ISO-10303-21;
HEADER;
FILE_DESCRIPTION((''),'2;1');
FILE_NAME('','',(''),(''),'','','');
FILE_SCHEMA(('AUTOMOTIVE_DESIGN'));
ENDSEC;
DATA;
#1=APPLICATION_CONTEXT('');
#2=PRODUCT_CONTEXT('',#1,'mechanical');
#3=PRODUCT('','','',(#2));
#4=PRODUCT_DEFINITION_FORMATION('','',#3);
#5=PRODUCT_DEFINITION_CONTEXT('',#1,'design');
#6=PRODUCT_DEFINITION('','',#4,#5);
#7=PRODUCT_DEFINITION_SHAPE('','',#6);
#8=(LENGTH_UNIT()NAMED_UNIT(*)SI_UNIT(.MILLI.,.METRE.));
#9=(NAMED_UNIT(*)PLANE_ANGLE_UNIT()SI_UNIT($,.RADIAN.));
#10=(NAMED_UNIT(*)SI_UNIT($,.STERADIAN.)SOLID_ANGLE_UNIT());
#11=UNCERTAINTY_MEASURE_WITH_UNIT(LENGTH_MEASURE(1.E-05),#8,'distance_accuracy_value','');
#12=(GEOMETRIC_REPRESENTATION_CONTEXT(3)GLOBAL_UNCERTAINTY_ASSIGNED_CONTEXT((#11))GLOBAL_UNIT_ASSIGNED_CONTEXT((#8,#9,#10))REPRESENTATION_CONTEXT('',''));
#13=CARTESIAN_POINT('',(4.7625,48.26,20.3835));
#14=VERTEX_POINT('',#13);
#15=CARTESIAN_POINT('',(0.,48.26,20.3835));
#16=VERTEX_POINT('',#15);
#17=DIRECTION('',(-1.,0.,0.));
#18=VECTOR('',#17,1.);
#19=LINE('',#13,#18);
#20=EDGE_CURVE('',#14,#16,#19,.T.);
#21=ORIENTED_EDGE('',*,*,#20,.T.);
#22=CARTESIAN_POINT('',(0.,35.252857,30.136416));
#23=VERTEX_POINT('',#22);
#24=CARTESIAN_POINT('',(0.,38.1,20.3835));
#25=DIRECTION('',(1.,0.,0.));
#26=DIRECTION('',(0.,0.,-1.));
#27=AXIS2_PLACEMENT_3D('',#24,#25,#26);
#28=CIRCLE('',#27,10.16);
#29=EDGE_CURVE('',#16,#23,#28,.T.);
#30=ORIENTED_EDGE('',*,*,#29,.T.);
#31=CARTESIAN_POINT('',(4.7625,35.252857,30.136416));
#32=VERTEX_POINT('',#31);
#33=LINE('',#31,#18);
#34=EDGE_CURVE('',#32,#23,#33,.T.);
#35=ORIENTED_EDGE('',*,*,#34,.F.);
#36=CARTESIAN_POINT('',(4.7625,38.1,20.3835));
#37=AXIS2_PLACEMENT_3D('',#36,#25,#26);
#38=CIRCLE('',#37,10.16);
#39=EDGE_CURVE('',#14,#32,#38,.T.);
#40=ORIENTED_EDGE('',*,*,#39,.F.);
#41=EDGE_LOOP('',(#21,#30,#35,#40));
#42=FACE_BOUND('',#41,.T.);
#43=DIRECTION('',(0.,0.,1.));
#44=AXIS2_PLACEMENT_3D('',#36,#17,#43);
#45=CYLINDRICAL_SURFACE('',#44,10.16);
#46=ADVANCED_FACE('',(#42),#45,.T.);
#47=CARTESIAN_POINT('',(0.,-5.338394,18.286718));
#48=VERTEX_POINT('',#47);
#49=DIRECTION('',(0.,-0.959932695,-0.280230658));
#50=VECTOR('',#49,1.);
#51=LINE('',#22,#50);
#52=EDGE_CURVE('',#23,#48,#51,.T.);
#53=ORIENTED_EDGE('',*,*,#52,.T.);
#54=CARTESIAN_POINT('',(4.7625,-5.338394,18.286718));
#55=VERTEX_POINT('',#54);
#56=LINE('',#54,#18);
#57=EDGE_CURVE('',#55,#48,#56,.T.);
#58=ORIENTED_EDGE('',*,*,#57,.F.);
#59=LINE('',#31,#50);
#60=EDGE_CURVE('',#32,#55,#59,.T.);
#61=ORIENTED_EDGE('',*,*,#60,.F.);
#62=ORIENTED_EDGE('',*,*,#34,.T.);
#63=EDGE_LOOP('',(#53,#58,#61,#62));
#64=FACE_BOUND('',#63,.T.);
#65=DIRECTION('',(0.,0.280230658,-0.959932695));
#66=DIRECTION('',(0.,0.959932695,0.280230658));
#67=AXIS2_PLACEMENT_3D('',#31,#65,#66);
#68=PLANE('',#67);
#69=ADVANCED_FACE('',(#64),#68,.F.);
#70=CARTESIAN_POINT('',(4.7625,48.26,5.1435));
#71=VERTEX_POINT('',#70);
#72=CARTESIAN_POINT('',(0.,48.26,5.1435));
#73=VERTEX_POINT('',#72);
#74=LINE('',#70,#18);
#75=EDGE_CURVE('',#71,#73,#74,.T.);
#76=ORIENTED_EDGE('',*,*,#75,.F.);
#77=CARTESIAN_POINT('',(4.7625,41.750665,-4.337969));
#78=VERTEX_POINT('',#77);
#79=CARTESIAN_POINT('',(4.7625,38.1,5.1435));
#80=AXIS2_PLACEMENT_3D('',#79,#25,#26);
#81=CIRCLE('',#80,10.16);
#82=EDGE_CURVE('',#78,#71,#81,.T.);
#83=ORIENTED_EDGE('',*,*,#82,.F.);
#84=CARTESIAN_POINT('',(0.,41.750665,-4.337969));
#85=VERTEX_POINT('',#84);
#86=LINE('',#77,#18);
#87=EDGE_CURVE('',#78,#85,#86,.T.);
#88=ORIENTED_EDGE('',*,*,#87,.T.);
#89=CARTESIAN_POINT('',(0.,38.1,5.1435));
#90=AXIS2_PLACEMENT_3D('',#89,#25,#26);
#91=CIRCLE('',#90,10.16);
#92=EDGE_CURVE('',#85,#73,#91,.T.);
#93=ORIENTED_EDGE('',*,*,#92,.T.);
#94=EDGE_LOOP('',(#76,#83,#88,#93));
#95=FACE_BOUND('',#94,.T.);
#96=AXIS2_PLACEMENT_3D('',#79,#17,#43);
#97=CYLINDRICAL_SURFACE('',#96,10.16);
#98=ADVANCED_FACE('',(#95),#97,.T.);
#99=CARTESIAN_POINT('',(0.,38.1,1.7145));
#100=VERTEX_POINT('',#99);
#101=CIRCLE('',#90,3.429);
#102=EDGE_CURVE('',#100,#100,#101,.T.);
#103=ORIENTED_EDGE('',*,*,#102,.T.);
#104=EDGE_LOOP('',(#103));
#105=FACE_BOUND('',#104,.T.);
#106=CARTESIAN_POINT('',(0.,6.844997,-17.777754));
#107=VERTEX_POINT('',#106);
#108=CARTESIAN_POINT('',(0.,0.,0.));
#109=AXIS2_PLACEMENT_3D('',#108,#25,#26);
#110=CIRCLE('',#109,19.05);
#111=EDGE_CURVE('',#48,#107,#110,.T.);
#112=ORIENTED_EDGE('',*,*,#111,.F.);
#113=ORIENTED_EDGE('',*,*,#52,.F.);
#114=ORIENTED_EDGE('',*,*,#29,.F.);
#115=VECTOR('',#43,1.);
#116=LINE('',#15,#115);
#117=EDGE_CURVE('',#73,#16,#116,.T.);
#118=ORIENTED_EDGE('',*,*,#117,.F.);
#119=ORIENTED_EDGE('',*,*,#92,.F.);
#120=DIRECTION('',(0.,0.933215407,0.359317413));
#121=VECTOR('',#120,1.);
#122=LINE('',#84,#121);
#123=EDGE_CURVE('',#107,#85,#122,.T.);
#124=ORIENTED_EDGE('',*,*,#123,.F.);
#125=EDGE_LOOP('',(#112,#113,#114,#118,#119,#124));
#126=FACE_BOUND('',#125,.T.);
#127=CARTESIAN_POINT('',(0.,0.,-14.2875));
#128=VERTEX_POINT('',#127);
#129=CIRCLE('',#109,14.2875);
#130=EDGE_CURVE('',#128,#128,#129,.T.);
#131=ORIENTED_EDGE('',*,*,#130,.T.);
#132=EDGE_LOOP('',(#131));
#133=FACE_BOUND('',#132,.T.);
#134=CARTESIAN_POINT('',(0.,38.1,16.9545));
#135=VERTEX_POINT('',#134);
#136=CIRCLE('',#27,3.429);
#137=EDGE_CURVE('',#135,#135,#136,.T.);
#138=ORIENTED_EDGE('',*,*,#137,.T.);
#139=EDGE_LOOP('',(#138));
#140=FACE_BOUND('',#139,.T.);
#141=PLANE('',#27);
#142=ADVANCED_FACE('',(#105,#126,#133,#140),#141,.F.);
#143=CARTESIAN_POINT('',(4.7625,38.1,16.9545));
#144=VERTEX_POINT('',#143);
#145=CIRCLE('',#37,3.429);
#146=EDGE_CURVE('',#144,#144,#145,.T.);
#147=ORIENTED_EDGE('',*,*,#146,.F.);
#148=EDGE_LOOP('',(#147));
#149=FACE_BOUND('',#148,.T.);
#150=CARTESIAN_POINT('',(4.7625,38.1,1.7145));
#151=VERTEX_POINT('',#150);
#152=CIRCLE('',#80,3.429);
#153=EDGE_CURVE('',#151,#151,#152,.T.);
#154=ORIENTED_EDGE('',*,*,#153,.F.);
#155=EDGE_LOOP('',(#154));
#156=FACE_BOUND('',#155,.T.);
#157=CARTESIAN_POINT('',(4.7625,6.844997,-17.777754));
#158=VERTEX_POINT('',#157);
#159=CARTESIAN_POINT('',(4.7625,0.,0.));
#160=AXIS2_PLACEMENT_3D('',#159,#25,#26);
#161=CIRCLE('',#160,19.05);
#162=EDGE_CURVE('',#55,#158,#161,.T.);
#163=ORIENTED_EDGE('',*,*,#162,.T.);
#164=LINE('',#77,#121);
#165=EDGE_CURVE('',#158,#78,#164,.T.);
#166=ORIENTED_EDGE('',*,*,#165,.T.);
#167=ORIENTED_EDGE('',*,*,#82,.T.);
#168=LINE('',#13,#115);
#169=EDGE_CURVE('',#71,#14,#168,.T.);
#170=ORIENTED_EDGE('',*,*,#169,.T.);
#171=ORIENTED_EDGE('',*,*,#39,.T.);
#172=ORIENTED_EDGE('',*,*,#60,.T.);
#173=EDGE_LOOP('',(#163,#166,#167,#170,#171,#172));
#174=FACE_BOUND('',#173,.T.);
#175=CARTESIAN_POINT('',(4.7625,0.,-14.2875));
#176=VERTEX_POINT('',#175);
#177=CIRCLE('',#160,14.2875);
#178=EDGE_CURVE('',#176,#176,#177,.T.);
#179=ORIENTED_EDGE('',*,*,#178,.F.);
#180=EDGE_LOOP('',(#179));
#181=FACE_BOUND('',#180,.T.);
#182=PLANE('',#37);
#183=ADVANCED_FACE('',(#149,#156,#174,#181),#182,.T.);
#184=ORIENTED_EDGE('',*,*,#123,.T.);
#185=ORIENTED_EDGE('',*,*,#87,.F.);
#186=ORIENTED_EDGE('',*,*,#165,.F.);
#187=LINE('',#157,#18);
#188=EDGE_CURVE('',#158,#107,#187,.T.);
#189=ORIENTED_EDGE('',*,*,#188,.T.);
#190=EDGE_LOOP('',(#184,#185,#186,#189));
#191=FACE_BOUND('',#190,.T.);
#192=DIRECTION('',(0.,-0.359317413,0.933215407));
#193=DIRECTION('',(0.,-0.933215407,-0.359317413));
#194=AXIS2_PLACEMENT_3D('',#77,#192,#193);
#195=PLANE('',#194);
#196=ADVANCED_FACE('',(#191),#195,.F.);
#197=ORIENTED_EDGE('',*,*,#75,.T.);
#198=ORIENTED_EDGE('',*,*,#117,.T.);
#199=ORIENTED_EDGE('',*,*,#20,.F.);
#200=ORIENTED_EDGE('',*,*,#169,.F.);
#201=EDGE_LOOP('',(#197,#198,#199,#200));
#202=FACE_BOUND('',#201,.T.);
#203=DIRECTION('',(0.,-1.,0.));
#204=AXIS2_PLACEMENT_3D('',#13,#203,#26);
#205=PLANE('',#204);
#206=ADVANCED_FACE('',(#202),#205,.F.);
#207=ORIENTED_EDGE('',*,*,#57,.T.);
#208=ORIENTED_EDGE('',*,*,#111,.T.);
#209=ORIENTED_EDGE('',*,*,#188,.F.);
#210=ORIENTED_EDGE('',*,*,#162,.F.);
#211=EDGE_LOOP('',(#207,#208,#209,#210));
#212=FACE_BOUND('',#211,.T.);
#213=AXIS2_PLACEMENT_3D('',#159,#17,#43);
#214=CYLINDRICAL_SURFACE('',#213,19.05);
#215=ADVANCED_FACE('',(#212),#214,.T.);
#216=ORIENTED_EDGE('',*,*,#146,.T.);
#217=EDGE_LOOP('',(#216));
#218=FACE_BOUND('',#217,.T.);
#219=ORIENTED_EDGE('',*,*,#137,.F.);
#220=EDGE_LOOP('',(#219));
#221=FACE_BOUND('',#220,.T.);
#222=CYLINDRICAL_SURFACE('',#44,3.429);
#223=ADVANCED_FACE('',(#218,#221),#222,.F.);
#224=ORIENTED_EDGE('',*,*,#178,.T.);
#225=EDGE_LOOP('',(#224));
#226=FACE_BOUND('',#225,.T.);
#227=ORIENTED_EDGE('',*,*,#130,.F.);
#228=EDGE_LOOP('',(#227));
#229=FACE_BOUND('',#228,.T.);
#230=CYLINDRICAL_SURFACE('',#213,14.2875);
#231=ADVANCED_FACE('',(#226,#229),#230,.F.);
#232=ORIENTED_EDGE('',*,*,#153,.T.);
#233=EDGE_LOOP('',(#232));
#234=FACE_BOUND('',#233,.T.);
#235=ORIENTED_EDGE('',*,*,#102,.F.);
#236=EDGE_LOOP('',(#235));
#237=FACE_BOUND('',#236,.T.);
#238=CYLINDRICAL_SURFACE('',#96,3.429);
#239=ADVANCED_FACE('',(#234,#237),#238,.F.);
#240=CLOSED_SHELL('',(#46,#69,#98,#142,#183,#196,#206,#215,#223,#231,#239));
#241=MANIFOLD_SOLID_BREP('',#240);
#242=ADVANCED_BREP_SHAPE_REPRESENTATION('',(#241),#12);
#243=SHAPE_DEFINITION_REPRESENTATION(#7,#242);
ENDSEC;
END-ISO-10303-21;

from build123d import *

# Parameters (mm, degrees)
SKETCH1_R           = 14.2875
SKETCH1_R_2         = 3.429
BOSS_EXTRUDE1_DEPTH = 4.7625


with BuildPart() as part:
    # Sketch1 → Boss-Extrude1 (new body)
    with BuildSketch(Plane(origin=(0, 0, 0), x_dir=(0, 0, -1), z_dir=(1, 0, 0))):
        with BuildLine():
            Line((-20.3835, 48.26), (-5.1435, 48.26))
            ThreePointArc((-5.1435, 48.26), (0.606928002, 46.476047862), (4.337968538, 41.750664919))
            Line((4.337968538, 41.750664919), (17.77775351, 6.844996724))
            ThreePointArc((17.77775351, 6.844996724), (6.097008594, -18.047963492), (-18.286717832, -5.33839404))
            Line((-18.286717832, -5.33839404), (-30.136416177, 35.252856512))
            ThreePointArc((-30.136416177, 35.252856512), (-28.512232307, 44.195023468), (-20.3835, 48.26))
        make_face()
        Circle(SKETCH1_R, mode=Mode.SUBTRACT)
        with Locations((-20.3835, 38.1)):
            Circle(SKETCH1_R_2, mode=Mode.SUBTRACT)
        with Locations((-5.1435, 38.1)):
            Circle(SKETCH1_R_2, mode=Mode.SUBTRACT)
    extrude(amount=BOSS_EXTRUDE1_DEPTH)


solid = part.part
